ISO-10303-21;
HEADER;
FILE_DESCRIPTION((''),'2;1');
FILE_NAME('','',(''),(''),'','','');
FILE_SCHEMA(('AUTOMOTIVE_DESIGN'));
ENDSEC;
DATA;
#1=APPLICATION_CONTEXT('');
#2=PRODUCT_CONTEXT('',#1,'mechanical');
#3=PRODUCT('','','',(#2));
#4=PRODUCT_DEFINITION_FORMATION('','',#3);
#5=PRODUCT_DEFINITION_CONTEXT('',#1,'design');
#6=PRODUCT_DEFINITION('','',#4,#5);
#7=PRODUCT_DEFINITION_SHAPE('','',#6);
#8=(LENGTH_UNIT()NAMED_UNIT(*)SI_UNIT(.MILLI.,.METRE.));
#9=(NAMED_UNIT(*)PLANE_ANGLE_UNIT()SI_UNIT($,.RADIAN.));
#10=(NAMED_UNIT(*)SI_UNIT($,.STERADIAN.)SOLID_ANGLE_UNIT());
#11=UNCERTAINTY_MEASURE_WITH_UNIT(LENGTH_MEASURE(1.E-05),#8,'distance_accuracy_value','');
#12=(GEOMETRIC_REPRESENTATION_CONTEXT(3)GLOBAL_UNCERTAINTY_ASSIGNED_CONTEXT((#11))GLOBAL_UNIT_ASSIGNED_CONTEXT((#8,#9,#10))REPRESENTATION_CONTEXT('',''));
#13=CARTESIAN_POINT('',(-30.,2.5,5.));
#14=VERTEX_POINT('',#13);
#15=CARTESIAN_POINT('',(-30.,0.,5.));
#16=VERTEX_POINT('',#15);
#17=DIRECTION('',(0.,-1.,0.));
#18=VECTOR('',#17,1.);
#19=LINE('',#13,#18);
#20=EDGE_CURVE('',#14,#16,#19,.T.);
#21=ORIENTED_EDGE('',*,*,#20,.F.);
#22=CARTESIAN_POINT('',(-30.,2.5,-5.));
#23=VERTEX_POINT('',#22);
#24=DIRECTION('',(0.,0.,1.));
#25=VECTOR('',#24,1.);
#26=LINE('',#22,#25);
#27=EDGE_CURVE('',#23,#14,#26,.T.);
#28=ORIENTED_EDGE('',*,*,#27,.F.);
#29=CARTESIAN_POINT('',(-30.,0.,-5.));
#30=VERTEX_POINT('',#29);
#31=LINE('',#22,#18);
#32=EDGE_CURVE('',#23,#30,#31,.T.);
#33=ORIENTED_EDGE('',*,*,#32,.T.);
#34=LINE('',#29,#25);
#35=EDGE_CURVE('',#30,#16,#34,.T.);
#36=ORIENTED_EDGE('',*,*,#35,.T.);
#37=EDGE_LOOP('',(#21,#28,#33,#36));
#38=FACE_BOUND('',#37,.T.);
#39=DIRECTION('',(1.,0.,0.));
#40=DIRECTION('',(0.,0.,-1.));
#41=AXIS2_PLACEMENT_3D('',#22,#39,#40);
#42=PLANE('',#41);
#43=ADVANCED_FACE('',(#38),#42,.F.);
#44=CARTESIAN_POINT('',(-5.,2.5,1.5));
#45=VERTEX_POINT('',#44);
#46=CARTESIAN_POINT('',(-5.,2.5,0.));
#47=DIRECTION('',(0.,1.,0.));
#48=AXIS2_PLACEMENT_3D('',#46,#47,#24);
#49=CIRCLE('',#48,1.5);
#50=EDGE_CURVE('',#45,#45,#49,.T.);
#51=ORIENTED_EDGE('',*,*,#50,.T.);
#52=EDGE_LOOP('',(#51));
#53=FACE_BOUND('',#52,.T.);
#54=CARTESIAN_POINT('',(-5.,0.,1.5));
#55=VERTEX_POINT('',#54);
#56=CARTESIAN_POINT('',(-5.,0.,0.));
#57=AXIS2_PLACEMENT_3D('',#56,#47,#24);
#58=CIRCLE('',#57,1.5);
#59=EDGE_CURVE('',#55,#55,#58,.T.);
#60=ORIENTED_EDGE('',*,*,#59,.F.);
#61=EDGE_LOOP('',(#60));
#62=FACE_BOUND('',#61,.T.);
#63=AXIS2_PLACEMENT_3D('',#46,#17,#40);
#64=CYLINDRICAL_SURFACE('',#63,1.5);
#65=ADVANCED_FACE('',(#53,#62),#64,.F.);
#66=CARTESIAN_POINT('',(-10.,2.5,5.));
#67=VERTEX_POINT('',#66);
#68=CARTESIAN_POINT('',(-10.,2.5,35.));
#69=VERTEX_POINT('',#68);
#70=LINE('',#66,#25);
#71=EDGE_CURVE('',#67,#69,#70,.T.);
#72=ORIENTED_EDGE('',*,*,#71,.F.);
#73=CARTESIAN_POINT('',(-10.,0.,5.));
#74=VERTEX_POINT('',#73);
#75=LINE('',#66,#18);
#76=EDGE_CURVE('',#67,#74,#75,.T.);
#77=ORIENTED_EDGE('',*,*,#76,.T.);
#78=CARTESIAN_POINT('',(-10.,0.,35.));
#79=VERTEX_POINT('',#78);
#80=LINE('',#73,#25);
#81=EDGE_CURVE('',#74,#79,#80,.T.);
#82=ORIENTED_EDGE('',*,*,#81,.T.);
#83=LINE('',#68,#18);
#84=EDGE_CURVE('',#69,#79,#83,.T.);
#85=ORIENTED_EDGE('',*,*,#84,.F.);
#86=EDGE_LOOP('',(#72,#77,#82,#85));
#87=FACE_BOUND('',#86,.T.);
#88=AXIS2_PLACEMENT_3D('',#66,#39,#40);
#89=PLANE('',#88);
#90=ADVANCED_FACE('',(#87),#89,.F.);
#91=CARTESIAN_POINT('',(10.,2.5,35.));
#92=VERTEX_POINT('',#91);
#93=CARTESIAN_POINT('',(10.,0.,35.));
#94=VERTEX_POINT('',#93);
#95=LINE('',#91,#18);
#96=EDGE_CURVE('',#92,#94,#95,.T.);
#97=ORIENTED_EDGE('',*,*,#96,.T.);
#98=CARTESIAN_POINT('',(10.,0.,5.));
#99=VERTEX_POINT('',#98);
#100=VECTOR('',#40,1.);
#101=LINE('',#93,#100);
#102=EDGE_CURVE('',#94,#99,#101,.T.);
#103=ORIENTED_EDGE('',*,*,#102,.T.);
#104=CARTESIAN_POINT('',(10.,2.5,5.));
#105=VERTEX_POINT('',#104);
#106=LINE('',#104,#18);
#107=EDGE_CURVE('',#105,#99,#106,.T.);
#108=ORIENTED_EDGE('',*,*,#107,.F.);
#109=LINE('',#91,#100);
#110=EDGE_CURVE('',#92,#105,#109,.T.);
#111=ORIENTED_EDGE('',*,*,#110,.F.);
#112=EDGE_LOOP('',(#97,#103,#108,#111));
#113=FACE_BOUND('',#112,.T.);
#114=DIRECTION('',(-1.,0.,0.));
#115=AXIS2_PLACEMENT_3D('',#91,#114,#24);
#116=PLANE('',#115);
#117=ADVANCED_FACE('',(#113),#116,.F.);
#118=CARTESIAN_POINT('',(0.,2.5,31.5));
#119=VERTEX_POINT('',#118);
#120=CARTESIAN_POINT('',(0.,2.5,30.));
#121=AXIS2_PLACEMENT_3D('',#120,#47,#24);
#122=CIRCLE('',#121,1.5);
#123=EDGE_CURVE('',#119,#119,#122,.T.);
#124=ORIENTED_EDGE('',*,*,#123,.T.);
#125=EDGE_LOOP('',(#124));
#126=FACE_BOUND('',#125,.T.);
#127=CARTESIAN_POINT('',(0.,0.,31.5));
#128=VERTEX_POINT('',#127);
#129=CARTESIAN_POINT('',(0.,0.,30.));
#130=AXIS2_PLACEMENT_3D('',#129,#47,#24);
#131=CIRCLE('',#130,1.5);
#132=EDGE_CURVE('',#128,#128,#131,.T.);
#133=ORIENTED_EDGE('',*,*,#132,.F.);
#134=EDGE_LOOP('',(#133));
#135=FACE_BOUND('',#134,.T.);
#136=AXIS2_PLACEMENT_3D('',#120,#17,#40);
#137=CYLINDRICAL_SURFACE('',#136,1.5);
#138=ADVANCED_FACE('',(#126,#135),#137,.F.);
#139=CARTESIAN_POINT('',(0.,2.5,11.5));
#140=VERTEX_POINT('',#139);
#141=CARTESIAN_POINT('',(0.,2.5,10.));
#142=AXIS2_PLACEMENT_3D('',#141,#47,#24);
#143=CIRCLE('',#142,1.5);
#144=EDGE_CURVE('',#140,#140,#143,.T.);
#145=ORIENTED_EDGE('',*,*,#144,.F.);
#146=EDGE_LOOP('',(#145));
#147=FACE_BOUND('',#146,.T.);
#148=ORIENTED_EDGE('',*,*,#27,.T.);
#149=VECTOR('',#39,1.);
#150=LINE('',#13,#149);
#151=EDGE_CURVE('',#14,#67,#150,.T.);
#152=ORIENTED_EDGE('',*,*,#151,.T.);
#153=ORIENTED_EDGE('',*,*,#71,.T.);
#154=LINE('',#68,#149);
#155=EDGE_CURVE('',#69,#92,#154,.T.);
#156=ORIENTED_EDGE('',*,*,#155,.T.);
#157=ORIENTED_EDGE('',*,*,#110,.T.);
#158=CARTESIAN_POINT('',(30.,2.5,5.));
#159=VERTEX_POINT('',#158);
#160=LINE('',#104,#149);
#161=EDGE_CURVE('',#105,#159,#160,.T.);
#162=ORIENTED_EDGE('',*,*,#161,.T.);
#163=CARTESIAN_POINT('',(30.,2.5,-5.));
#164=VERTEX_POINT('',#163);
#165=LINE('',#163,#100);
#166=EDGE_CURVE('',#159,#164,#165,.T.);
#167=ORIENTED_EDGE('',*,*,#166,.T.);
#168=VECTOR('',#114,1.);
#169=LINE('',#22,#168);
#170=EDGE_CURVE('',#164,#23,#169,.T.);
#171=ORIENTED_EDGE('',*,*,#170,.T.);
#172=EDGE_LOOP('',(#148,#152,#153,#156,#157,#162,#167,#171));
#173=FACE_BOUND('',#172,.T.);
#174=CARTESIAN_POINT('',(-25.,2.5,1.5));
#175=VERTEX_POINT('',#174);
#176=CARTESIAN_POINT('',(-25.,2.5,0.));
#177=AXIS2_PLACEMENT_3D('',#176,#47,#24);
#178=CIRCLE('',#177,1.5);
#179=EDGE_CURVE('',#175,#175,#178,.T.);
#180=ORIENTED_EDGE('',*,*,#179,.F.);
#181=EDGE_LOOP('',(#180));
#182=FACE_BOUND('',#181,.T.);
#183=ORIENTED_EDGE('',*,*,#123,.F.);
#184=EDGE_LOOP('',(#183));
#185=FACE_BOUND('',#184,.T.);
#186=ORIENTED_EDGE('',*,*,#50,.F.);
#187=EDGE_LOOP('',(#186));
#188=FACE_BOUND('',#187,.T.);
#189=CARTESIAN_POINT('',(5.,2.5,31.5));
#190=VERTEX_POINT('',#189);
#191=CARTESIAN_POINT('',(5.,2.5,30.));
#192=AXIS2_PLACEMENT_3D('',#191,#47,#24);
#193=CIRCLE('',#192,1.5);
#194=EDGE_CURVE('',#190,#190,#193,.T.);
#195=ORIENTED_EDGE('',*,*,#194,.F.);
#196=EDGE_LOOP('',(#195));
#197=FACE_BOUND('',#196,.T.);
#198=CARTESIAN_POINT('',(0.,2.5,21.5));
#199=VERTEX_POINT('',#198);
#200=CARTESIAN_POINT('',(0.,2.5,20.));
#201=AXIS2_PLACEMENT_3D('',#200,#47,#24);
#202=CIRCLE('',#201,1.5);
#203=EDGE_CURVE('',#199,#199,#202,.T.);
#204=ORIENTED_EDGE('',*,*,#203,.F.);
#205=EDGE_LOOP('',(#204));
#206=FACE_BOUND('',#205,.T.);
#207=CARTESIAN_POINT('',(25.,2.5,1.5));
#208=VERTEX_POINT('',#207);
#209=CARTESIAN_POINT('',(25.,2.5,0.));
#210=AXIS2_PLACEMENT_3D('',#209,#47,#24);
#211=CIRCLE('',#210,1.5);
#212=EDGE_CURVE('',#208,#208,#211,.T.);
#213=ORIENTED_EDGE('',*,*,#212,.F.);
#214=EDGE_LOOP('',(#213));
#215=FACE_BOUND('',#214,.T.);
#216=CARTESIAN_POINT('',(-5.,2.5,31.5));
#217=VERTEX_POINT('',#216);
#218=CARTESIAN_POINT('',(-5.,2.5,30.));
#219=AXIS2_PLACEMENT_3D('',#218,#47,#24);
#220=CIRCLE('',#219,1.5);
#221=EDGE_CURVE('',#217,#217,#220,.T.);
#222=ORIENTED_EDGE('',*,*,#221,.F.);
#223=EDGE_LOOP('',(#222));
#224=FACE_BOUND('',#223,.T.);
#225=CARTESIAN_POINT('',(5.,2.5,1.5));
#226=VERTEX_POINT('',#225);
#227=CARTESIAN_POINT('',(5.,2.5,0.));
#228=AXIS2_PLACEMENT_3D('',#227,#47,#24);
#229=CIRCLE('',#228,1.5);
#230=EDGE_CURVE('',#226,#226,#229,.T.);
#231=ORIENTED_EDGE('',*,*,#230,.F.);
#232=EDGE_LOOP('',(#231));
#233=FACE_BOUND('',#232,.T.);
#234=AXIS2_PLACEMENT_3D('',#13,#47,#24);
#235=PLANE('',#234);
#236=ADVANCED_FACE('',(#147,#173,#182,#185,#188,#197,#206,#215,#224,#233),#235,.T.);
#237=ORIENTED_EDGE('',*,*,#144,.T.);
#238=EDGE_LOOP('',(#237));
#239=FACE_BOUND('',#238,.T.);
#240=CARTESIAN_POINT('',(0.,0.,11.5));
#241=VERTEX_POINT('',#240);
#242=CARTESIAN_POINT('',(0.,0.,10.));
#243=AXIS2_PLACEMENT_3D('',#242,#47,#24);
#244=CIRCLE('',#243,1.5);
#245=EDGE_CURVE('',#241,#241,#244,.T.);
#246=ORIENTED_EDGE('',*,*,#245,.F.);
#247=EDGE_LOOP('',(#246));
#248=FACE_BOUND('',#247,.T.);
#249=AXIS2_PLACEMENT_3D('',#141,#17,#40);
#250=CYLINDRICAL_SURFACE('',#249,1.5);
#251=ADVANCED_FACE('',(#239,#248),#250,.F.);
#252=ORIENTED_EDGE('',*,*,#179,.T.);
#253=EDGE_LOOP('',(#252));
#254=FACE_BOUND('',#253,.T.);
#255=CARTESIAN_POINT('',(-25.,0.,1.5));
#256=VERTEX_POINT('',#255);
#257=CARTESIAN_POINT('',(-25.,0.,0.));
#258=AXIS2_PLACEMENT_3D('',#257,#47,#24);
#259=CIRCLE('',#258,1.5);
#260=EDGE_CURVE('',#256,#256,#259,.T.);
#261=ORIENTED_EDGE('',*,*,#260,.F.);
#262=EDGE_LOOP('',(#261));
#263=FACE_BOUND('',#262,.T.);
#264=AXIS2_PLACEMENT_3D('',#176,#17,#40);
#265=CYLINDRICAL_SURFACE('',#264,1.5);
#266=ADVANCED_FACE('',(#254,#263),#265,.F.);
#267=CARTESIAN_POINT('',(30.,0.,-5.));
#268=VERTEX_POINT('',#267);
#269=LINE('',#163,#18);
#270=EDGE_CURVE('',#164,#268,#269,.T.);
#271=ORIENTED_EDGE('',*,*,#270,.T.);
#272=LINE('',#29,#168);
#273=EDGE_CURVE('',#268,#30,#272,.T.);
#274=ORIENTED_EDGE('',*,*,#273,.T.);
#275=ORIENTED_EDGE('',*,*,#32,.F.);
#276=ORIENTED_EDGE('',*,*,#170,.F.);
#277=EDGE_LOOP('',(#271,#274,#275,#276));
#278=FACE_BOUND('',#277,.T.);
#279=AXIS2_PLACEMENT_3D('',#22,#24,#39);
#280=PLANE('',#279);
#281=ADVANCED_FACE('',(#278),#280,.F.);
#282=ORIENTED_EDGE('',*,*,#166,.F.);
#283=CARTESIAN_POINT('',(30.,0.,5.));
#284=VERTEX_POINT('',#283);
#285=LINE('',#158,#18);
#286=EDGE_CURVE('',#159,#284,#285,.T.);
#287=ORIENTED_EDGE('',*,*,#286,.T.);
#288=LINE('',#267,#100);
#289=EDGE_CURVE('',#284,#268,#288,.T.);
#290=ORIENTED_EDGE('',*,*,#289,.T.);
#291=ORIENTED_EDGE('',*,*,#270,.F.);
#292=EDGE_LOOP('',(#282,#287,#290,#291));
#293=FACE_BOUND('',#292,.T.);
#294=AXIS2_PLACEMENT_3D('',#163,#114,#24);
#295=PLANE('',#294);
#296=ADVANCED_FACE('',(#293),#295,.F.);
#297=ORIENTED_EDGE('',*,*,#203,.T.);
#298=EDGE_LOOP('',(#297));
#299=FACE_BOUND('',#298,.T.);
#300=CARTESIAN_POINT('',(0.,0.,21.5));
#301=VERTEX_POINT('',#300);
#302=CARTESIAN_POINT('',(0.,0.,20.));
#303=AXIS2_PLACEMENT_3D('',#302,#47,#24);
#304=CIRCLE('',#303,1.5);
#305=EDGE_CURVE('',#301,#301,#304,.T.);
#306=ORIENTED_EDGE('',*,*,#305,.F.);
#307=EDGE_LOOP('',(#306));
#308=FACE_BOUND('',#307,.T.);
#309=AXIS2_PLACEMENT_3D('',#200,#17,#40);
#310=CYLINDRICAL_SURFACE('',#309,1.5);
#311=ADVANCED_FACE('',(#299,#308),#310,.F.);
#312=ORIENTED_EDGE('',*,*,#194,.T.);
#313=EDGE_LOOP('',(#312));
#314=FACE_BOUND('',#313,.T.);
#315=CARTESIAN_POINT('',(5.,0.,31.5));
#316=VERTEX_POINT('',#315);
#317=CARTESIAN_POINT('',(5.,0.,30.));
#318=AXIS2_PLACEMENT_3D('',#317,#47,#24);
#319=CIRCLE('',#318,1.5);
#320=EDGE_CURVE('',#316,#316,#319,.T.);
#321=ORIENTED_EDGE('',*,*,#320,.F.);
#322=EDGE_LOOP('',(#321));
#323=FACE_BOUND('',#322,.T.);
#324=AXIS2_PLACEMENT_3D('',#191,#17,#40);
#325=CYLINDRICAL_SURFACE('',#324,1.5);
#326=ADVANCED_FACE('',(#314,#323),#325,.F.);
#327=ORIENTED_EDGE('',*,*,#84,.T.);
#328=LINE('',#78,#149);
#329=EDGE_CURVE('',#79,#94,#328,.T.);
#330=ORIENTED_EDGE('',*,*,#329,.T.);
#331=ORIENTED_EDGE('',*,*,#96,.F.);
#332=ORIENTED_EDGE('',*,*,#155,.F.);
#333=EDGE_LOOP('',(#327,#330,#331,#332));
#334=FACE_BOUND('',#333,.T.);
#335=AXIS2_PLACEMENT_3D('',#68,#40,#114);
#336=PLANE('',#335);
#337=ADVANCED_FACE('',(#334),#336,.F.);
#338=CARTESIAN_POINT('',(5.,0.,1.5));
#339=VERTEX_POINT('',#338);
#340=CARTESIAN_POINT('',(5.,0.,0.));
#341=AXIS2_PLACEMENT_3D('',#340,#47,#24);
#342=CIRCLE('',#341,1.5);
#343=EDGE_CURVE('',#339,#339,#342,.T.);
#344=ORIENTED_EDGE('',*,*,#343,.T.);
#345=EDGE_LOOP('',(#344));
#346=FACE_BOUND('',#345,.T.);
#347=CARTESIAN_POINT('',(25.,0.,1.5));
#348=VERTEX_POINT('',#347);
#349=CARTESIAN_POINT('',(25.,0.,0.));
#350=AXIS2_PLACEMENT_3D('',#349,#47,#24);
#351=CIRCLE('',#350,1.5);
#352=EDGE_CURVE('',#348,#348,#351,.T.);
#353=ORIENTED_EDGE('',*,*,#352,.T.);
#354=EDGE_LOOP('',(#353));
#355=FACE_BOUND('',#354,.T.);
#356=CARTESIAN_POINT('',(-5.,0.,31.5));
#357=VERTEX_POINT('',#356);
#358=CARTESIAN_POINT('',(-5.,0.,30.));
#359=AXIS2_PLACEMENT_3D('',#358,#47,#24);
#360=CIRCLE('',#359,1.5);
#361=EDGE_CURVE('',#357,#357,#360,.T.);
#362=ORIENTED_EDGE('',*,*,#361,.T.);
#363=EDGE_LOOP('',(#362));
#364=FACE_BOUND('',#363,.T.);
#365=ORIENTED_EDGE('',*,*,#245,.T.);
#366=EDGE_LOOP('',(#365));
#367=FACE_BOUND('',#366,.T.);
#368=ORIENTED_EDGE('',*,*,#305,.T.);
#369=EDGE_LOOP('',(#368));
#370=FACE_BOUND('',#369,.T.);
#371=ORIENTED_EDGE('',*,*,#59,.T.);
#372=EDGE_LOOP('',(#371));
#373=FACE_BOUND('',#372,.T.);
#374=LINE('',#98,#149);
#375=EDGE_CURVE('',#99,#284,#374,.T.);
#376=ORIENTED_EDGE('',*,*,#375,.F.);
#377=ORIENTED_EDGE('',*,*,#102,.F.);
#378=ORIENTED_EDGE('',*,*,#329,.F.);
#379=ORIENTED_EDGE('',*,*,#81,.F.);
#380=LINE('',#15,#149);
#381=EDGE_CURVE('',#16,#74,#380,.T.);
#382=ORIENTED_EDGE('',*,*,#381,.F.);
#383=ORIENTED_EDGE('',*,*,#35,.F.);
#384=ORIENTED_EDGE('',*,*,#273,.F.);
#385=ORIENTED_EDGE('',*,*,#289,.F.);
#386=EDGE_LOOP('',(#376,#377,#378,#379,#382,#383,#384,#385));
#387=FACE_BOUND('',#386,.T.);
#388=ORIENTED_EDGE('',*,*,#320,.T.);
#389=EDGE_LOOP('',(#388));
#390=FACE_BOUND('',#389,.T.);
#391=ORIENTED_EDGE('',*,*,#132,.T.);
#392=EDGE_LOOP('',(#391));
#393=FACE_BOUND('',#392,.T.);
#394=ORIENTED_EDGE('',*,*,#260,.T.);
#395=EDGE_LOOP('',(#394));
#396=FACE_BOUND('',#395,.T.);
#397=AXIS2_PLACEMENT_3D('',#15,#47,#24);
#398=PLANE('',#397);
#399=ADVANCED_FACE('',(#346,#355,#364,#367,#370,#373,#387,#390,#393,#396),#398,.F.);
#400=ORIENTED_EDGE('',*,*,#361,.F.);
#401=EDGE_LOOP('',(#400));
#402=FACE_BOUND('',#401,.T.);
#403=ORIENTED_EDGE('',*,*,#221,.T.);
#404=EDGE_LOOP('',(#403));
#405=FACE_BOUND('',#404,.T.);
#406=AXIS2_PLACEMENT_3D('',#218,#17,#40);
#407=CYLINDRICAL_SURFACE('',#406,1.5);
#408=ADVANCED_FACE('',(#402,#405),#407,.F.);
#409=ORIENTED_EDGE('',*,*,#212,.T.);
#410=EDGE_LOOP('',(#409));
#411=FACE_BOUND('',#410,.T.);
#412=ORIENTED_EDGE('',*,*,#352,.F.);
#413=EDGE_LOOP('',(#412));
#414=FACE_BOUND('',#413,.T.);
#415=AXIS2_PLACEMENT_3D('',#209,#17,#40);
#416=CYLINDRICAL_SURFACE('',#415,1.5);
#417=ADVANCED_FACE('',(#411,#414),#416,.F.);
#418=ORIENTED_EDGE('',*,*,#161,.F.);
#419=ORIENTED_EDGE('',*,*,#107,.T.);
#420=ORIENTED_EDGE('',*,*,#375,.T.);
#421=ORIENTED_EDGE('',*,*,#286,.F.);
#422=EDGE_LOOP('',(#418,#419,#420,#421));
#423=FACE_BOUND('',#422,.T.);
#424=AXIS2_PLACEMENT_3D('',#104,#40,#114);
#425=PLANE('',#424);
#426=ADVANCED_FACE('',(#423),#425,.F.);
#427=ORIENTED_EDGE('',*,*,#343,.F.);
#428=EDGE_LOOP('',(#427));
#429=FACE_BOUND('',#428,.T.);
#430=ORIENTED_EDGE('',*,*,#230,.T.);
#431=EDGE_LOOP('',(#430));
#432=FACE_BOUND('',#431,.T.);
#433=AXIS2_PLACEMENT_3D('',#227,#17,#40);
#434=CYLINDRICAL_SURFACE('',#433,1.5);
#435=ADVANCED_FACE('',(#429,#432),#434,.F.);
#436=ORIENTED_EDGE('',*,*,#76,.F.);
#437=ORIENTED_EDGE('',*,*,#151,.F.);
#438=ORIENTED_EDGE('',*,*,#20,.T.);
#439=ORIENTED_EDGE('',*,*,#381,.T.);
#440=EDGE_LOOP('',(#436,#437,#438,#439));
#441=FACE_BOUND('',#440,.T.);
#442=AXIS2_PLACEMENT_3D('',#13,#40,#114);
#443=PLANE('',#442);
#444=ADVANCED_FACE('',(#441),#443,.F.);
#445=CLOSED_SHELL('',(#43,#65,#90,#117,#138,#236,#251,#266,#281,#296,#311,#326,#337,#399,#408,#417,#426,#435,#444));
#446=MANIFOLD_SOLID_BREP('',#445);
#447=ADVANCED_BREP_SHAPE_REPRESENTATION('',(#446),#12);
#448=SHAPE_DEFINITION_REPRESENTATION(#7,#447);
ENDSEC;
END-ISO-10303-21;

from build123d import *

# Parameters (mm, degrees)
ESQUISSE1_R        = 1.5
BOSS_EXTRU_1_DEPTH = 2.5


with BuildPart() as part:
    # Esquisse1 → Boss.-Extru.1 (new body)
    with BuildSketch(Plane(origin=(0, 0, 0), x_dir=(1, 0, 0), z_dir=(0, 1, 0))):
        Polygon((-30, -5), (-10, -5), (-10, -35), (10, -35), (10, -5), (30, -5), (30, 5), (-30, 5), align=None)
        with Locations((-25, 0)):
            Circle(ESQUISSE1_R, mode=Mode.SUBTRACT)
        with Locations((25, 0)):
            Circle(ESQUISSE1_R, mode=Mode.SUBTRACT)
        with Locations((-5, 0)):
            Circle(ESQUISSE1_R, mode=Mode.SUBTRACT)
        with Locations((5, 0)):
            Circle(ESQUISSE1_R, mode=Mode.SUBTRACT)
        with Locations((-5, -30)):
            Circle(ESQUISSE1_R, mode=Mode.SUBTRACT)
        with Locations((5, -30)):
            Circle(ESQUISSE1_R, mode=Mode.SUBTRACT)
        with Locations((0, -30)):
            Circle(ESQUISSE1_R, mode=Mode.SUBTRACT)
        with Locations((0, -20)):
            Circle(ESQUISSE1_R, mode=Mode.SUBTRACT)
        with Locations((0, -10)):
            Circle(ESQUISSE1_R, mode=Mode.SUBTRACT)
    extrude(amount=BOSS_EXTRU_1_DEPTH)


solid = part.part
